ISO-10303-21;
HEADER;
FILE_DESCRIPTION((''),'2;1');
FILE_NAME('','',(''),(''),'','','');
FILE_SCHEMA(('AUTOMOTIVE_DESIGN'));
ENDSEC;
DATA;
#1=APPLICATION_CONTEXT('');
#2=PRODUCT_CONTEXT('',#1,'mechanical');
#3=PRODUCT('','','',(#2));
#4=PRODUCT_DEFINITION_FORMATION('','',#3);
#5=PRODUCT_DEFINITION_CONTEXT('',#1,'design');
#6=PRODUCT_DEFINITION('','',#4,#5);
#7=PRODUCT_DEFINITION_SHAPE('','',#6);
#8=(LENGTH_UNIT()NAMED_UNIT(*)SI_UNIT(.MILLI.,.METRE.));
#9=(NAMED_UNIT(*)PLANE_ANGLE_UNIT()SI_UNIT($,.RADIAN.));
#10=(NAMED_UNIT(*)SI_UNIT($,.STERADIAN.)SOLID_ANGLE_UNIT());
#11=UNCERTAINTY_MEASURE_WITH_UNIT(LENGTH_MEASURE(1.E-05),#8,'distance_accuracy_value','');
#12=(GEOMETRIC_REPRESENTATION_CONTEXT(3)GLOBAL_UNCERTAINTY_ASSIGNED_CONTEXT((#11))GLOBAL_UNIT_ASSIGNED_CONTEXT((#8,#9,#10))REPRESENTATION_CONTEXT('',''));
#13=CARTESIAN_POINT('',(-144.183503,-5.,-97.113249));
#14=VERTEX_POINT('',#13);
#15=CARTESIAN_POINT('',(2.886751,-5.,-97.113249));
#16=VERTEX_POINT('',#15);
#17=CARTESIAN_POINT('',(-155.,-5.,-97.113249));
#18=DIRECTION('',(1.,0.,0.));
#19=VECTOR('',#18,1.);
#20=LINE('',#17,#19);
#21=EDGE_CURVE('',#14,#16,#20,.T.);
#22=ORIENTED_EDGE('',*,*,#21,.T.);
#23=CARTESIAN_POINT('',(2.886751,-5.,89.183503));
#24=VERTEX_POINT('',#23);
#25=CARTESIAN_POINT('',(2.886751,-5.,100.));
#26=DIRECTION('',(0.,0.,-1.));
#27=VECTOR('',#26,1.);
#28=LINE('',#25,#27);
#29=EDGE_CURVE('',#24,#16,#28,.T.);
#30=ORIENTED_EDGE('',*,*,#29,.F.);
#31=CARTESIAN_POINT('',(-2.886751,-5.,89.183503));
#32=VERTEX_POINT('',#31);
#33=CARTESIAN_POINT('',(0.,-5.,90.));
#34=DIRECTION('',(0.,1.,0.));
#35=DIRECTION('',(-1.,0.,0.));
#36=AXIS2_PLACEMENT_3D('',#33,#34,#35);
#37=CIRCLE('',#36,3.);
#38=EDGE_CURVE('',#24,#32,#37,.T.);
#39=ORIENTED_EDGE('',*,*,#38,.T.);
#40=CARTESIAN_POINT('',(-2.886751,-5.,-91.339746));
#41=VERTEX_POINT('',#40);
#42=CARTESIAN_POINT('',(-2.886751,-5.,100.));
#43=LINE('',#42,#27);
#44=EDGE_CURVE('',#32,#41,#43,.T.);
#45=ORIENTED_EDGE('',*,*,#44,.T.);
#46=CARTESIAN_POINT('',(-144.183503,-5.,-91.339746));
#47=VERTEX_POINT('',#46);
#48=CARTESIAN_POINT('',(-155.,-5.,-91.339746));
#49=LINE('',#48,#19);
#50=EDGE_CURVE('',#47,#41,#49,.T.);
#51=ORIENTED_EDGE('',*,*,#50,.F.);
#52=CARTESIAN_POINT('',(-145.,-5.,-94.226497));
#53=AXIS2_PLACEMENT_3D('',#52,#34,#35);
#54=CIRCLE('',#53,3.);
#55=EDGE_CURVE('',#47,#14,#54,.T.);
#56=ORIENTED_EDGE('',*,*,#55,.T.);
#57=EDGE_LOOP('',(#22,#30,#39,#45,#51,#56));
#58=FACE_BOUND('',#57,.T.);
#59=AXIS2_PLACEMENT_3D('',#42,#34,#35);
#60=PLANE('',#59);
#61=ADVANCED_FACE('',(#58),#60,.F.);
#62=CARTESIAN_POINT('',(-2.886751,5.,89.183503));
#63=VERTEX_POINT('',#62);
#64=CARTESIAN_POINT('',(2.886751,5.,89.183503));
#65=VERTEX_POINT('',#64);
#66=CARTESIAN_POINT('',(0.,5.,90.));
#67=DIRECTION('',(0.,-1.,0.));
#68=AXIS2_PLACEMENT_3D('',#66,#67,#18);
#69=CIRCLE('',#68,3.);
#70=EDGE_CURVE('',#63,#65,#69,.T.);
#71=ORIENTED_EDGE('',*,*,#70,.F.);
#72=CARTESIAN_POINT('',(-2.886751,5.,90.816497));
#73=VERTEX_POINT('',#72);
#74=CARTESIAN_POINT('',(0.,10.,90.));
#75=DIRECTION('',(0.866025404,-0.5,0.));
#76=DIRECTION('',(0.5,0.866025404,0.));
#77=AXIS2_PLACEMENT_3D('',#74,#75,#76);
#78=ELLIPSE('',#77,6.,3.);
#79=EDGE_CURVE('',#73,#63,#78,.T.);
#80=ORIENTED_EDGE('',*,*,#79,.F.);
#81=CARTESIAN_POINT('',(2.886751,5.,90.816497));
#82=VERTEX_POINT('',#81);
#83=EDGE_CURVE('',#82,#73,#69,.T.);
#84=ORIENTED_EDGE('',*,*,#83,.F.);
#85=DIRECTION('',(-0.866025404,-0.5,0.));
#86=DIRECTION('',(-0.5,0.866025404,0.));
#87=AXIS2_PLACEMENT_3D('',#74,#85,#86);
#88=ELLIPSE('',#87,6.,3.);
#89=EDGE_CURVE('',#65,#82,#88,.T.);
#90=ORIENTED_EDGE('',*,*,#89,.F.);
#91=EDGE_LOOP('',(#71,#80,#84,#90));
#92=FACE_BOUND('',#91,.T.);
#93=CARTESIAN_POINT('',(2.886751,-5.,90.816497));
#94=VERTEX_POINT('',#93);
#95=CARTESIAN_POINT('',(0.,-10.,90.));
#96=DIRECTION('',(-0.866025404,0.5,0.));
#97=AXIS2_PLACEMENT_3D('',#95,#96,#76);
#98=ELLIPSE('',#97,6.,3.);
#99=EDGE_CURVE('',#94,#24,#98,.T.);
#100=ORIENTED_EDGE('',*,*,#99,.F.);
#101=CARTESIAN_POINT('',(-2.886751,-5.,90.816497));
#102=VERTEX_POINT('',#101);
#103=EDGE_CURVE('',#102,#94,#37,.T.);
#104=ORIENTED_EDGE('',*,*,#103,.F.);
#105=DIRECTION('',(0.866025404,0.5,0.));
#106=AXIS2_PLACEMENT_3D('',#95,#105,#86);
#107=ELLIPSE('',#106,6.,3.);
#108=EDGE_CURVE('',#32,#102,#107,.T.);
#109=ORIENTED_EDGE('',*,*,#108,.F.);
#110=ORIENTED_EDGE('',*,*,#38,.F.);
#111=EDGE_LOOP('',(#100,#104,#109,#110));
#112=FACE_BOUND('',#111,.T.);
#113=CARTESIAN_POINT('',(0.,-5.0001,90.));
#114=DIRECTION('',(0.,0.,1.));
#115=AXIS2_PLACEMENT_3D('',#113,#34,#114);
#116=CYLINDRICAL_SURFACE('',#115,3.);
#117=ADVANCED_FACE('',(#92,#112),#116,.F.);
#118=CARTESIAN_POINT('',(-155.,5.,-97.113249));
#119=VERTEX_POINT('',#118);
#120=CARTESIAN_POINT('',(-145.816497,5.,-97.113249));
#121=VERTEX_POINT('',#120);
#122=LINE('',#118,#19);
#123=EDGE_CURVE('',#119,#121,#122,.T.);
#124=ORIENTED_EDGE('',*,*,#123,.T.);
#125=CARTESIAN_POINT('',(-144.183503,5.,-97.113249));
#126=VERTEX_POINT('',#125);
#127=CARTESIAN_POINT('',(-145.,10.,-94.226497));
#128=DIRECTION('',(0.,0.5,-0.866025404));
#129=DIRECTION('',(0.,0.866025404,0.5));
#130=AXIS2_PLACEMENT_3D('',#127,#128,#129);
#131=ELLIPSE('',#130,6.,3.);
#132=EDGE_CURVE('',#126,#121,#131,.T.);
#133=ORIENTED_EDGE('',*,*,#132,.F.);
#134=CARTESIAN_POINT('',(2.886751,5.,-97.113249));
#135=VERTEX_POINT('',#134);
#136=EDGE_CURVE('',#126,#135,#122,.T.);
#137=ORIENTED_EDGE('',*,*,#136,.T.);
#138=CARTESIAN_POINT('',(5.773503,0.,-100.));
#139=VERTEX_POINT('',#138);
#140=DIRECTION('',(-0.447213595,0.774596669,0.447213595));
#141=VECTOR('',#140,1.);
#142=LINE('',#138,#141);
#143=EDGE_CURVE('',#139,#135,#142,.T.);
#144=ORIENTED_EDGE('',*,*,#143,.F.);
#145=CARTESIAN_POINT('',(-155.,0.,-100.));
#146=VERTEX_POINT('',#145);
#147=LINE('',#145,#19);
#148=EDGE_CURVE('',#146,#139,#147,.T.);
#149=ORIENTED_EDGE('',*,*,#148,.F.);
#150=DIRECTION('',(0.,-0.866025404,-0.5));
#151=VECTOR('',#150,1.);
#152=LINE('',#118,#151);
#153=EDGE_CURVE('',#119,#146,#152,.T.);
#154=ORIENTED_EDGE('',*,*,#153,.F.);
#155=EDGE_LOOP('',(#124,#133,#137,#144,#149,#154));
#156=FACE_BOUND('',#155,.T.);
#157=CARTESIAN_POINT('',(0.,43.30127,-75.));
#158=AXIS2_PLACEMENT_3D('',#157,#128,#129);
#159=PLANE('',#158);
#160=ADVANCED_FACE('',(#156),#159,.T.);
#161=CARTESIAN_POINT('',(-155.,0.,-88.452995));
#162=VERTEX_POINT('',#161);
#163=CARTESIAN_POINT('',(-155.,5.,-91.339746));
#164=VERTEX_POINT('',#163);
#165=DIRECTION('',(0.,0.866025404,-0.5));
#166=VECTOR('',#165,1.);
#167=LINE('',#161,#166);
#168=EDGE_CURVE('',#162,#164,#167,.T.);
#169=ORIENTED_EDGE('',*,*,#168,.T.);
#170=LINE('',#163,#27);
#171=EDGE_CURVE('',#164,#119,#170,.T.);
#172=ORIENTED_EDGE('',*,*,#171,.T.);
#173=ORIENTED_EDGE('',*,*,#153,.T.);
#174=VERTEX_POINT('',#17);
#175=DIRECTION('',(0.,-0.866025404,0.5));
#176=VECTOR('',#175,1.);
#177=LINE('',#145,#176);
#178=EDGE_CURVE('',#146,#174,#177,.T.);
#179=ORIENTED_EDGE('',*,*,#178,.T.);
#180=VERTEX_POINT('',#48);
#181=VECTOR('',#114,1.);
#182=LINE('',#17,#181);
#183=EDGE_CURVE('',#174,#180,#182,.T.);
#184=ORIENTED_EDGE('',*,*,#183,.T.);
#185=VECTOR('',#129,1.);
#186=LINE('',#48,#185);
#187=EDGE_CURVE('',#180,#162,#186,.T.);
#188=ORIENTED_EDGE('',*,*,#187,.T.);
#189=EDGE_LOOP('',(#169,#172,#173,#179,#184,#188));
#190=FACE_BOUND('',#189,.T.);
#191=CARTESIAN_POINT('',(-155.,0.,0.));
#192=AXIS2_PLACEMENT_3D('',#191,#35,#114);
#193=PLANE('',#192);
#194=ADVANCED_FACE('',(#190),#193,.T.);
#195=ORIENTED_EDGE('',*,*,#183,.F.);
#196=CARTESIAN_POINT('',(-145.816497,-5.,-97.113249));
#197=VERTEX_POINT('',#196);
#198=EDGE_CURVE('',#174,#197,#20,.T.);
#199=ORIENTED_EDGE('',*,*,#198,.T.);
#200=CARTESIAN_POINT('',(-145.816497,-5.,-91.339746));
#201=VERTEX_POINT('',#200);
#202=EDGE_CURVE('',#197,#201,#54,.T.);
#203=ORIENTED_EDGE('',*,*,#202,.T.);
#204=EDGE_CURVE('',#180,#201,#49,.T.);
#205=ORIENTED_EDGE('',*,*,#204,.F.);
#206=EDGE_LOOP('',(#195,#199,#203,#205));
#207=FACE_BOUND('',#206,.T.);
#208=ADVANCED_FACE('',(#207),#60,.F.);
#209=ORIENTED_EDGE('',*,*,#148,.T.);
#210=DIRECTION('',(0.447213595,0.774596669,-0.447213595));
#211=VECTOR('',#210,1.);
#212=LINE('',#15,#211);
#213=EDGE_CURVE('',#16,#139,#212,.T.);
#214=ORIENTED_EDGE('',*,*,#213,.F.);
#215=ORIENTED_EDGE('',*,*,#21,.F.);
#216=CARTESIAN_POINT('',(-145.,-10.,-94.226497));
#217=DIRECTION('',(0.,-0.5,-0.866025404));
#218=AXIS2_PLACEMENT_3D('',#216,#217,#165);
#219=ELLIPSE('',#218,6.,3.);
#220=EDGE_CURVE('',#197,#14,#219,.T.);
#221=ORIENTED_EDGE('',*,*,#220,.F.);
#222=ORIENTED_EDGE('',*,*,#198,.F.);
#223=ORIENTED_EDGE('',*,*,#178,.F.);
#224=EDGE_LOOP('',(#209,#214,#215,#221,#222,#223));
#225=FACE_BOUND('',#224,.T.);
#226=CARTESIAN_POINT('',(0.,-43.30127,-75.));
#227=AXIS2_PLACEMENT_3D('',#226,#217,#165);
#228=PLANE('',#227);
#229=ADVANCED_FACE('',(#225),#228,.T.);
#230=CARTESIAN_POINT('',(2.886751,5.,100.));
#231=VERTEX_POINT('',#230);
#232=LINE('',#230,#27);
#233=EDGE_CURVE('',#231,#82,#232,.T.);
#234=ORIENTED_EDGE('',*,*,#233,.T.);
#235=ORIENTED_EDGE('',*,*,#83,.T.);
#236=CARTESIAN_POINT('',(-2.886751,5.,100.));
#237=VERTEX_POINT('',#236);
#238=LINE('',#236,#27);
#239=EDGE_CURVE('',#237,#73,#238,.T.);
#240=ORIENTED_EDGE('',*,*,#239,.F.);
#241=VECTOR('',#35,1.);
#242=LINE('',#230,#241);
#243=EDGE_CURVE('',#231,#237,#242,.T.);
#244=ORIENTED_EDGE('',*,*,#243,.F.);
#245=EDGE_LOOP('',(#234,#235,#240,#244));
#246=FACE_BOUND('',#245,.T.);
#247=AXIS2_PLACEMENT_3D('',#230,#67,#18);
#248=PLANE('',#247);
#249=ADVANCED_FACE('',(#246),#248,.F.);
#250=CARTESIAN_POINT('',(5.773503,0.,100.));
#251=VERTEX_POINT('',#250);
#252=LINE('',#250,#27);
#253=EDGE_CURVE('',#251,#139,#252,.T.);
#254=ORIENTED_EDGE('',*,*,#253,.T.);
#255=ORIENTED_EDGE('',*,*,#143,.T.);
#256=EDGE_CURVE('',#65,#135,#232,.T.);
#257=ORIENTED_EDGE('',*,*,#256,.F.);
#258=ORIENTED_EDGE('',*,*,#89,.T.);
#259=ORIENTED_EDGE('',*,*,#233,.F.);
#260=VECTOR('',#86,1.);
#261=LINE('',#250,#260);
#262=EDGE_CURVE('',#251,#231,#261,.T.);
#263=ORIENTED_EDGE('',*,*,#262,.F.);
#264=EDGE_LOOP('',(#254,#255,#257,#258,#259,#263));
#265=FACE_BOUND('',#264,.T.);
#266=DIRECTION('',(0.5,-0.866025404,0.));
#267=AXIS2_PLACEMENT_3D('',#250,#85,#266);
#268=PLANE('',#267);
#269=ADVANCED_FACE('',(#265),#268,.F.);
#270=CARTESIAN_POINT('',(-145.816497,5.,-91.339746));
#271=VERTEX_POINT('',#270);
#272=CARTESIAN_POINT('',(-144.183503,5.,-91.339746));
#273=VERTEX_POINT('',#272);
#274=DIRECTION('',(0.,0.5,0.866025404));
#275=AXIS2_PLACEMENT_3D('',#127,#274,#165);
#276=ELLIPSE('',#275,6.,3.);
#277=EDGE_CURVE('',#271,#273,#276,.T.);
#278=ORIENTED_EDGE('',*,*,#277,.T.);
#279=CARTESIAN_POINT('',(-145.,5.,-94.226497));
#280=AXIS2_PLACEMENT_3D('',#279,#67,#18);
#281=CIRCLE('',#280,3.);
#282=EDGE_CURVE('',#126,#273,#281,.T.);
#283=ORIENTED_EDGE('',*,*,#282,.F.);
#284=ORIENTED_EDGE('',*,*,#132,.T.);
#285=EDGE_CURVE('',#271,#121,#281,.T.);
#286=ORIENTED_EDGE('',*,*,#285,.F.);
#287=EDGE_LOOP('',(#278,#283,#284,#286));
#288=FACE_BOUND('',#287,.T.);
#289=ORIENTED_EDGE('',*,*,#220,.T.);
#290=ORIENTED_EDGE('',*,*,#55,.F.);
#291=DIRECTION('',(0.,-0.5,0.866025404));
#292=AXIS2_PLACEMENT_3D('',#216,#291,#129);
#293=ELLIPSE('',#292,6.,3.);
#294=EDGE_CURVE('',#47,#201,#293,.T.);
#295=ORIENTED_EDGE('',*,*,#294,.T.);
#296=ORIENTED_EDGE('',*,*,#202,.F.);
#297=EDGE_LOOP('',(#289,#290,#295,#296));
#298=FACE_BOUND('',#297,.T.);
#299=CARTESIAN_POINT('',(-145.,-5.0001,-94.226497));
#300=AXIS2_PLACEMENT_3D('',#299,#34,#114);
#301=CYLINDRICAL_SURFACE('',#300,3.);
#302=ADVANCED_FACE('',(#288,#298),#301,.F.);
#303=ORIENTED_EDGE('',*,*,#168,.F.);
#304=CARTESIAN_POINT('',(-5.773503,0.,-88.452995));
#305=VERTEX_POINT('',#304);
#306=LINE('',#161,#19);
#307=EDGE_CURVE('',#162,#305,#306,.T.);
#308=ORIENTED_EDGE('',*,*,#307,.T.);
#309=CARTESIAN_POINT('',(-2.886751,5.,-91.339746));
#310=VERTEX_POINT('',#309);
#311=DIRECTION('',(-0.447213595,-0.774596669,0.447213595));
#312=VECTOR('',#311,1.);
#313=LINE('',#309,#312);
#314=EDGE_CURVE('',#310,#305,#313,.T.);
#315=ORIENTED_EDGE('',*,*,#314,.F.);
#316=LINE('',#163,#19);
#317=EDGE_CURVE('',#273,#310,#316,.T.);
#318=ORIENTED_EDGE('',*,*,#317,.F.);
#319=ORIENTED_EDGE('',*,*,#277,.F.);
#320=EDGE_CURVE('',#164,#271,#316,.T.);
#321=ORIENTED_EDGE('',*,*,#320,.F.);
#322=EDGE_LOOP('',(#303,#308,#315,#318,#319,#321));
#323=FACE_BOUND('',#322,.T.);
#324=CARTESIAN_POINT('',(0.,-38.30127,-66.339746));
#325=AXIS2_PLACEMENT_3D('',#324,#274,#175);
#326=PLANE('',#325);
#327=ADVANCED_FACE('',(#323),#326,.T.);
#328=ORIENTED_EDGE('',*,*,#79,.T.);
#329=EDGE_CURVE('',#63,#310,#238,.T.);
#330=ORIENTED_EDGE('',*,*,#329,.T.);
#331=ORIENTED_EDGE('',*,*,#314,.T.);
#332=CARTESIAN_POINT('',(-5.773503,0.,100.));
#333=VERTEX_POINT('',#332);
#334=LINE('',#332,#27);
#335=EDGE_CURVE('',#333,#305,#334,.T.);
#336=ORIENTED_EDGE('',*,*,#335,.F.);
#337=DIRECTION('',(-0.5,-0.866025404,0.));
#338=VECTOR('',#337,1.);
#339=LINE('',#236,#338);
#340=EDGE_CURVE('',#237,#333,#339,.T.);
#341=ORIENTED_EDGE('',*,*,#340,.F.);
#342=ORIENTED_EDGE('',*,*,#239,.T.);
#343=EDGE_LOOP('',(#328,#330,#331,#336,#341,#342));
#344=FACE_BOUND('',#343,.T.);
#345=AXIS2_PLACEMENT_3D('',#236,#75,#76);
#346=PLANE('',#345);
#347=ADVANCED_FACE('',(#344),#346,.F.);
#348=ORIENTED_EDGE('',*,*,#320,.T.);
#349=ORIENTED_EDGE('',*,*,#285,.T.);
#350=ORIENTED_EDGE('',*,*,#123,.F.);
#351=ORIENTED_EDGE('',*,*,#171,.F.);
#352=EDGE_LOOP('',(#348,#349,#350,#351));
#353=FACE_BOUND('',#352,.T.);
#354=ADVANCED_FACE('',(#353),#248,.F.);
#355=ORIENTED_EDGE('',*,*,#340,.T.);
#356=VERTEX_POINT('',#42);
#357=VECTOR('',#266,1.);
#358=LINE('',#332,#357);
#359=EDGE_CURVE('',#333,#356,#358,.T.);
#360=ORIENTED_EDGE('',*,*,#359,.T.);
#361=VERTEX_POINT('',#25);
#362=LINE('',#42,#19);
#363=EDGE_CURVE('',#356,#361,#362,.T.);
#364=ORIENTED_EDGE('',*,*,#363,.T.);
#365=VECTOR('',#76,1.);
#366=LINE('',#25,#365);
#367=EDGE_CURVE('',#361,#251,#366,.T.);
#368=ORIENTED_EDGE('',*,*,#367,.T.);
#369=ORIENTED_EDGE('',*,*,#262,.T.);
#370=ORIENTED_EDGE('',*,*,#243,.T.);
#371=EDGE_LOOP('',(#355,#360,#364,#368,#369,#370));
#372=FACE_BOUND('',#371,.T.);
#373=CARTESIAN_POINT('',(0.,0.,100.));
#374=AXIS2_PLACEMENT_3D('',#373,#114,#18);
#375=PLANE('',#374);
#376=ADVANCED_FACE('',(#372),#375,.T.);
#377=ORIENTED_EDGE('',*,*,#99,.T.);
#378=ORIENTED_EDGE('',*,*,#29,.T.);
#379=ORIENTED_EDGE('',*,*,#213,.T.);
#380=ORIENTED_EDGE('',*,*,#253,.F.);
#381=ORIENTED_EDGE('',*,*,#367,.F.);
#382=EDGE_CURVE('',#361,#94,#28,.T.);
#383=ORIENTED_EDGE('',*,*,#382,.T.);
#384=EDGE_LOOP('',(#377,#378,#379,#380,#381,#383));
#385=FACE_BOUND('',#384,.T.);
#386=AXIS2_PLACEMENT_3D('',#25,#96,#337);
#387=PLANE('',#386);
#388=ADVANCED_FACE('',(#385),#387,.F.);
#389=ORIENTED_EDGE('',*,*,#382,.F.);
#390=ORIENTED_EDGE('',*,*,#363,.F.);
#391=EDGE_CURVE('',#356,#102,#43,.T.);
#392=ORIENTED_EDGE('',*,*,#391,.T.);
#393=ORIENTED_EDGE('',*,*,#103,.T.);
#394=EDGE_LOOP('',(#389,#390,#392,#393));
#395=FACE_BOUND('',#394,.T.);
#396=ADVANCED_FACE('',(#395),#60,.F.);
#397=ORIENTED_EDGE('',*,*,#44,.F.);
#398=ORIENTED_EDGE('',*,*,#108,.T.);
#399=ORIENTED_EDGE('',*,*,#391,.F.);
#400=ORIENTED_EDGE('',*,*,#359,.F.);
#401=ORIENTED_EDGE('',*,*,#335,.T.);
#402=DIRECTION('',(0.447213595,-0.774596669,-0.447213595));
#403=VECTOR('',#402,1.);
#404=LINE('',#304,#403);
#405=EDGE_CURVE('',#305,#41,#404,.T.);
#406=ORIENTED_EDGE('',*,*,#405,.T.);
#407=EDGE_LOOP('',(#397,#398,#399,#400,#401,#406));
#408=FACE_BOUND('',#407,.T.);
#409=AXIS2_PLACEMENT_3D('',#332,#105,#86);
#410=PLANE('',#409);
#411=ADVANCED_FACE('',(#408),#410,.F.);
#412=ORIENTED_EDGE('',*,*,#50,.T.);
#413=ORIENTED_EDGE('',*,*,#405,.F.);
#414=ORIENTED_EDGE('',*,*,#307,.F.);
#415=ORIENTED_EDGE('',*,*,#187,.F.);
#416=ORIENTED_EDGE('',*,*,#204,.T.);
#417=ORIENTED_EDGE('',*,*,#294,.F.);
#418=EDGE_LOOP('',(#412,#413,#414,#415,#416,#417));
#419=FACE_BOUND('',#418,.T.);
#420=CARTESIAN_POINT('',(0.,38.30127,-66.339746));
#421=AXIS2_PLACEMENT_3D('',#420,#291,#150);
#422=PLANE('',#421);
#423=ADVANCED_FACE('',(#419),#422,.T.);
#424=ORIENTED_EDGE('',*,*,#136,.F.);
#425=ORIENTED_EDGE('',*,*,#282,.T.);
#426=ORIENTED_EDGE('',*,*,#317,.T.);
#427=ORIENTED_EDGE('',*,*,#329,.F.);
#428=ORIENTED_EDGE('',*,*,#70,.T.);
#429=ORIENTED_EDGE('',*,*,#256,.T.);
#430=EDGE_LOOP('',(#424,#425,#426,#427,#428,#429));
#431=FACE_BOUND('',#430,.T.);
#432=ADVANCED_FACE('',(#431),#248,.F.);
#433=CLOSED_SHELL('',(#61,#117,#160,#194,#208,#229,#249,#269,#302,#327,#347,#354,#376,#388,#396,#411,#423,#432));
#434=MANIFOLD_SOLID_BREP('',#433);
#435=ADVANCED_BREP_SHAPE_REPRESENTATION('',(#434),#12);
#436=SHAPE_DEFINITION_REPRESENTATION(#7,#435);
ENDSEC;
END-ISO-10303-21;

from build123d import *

# Parameters (mm, degrees)
BOSS_EXTRUDE1_DEPTH     = 100
CUT_EXTRUDE1_DEPTH      = 6
CUT_EXTRUDE1_DEPTH_BACK = 6
SKETCH5_R               = 3
CUT_EXTRUDE2_DEPTH      = 6.0000001
CUT_EXTRUDE2_DEPTH_BACK = 6.0000001


with BuildPart() as part:
    # Sketch1 → Boss-Extrude1 (new body, symmetric)
    with BuildSketch(Plane.XY):
        Polygon((-5.773502692, 0), (-2.886751346, -5), (2.886751346, -5), (5.773502692, 0), (2.886751346, 5), (-2.886751346, 5), align=None)
    extrude(amount=BOSS_EXTRUDE1_DEPTH, both=True)

    # Sketch2 → Cut-Extrude1 (cut, two sides)
    with BuildSketch(Plane(origin=(0, 0, 0), x_dir=(1, 0, 0), z_dir=(0, 1, 0))) as cut_extrude1_sk:
        Polygon((5.773502692, 100), (-5.773502692, 88.452994616), (-5.773502692, 100), align=None)
    extrude(amount=CUT_EXTRUDE1_DEPTH, mode=Mode.SUBTRACT)
    extrude(cut_extrude1_sk.sketch, amount=-CUT_EXTRUDE1_DEPTH_BACK, mode=Mode.SUBTRACT)

    # Sketch4 → section 0 of loft1
    with BuildSketch(Plane.ZY.offset(155), mode=Mode.PRIVATE) as loft1_s0:
        Polygon((-97.113248654, 5), (-100, 0), (-97.113248654, -5), (-91.339745962, -5), (-88.452994616, 0), (-91.339745962, 5), align=None)
    # loft up to a face of the part (loft1)
    loft([loft1_s0.sketch, part.faces().sort_by_distance((0, 0, -94.226497308))[0]])

    # Sketch5 → Cut-Extrude2 (cut, two sides)
    with BuildSketch(Plane(origin=(0, 0, 0), x_dir=(1, 0, 0), z_dir=(0, 1, 0))) as cut_extrude2_sk:
        with Locations((0, -90)):
            Circle(SKETCH5_R)
        with Locations((-145, 94.226497308)):
            Circle(SKETCH5_R)
    extrude(amount=CUT_EXTRUDE2_DEPTH, mode=Mode.SUBTRACT)
    extrude(cut_extrude2_sk.sketch, amount=-CUT_EXTRUDE2_DEPTH_BACK, mode=Mode.SUBTRACT)


solid = part.part
